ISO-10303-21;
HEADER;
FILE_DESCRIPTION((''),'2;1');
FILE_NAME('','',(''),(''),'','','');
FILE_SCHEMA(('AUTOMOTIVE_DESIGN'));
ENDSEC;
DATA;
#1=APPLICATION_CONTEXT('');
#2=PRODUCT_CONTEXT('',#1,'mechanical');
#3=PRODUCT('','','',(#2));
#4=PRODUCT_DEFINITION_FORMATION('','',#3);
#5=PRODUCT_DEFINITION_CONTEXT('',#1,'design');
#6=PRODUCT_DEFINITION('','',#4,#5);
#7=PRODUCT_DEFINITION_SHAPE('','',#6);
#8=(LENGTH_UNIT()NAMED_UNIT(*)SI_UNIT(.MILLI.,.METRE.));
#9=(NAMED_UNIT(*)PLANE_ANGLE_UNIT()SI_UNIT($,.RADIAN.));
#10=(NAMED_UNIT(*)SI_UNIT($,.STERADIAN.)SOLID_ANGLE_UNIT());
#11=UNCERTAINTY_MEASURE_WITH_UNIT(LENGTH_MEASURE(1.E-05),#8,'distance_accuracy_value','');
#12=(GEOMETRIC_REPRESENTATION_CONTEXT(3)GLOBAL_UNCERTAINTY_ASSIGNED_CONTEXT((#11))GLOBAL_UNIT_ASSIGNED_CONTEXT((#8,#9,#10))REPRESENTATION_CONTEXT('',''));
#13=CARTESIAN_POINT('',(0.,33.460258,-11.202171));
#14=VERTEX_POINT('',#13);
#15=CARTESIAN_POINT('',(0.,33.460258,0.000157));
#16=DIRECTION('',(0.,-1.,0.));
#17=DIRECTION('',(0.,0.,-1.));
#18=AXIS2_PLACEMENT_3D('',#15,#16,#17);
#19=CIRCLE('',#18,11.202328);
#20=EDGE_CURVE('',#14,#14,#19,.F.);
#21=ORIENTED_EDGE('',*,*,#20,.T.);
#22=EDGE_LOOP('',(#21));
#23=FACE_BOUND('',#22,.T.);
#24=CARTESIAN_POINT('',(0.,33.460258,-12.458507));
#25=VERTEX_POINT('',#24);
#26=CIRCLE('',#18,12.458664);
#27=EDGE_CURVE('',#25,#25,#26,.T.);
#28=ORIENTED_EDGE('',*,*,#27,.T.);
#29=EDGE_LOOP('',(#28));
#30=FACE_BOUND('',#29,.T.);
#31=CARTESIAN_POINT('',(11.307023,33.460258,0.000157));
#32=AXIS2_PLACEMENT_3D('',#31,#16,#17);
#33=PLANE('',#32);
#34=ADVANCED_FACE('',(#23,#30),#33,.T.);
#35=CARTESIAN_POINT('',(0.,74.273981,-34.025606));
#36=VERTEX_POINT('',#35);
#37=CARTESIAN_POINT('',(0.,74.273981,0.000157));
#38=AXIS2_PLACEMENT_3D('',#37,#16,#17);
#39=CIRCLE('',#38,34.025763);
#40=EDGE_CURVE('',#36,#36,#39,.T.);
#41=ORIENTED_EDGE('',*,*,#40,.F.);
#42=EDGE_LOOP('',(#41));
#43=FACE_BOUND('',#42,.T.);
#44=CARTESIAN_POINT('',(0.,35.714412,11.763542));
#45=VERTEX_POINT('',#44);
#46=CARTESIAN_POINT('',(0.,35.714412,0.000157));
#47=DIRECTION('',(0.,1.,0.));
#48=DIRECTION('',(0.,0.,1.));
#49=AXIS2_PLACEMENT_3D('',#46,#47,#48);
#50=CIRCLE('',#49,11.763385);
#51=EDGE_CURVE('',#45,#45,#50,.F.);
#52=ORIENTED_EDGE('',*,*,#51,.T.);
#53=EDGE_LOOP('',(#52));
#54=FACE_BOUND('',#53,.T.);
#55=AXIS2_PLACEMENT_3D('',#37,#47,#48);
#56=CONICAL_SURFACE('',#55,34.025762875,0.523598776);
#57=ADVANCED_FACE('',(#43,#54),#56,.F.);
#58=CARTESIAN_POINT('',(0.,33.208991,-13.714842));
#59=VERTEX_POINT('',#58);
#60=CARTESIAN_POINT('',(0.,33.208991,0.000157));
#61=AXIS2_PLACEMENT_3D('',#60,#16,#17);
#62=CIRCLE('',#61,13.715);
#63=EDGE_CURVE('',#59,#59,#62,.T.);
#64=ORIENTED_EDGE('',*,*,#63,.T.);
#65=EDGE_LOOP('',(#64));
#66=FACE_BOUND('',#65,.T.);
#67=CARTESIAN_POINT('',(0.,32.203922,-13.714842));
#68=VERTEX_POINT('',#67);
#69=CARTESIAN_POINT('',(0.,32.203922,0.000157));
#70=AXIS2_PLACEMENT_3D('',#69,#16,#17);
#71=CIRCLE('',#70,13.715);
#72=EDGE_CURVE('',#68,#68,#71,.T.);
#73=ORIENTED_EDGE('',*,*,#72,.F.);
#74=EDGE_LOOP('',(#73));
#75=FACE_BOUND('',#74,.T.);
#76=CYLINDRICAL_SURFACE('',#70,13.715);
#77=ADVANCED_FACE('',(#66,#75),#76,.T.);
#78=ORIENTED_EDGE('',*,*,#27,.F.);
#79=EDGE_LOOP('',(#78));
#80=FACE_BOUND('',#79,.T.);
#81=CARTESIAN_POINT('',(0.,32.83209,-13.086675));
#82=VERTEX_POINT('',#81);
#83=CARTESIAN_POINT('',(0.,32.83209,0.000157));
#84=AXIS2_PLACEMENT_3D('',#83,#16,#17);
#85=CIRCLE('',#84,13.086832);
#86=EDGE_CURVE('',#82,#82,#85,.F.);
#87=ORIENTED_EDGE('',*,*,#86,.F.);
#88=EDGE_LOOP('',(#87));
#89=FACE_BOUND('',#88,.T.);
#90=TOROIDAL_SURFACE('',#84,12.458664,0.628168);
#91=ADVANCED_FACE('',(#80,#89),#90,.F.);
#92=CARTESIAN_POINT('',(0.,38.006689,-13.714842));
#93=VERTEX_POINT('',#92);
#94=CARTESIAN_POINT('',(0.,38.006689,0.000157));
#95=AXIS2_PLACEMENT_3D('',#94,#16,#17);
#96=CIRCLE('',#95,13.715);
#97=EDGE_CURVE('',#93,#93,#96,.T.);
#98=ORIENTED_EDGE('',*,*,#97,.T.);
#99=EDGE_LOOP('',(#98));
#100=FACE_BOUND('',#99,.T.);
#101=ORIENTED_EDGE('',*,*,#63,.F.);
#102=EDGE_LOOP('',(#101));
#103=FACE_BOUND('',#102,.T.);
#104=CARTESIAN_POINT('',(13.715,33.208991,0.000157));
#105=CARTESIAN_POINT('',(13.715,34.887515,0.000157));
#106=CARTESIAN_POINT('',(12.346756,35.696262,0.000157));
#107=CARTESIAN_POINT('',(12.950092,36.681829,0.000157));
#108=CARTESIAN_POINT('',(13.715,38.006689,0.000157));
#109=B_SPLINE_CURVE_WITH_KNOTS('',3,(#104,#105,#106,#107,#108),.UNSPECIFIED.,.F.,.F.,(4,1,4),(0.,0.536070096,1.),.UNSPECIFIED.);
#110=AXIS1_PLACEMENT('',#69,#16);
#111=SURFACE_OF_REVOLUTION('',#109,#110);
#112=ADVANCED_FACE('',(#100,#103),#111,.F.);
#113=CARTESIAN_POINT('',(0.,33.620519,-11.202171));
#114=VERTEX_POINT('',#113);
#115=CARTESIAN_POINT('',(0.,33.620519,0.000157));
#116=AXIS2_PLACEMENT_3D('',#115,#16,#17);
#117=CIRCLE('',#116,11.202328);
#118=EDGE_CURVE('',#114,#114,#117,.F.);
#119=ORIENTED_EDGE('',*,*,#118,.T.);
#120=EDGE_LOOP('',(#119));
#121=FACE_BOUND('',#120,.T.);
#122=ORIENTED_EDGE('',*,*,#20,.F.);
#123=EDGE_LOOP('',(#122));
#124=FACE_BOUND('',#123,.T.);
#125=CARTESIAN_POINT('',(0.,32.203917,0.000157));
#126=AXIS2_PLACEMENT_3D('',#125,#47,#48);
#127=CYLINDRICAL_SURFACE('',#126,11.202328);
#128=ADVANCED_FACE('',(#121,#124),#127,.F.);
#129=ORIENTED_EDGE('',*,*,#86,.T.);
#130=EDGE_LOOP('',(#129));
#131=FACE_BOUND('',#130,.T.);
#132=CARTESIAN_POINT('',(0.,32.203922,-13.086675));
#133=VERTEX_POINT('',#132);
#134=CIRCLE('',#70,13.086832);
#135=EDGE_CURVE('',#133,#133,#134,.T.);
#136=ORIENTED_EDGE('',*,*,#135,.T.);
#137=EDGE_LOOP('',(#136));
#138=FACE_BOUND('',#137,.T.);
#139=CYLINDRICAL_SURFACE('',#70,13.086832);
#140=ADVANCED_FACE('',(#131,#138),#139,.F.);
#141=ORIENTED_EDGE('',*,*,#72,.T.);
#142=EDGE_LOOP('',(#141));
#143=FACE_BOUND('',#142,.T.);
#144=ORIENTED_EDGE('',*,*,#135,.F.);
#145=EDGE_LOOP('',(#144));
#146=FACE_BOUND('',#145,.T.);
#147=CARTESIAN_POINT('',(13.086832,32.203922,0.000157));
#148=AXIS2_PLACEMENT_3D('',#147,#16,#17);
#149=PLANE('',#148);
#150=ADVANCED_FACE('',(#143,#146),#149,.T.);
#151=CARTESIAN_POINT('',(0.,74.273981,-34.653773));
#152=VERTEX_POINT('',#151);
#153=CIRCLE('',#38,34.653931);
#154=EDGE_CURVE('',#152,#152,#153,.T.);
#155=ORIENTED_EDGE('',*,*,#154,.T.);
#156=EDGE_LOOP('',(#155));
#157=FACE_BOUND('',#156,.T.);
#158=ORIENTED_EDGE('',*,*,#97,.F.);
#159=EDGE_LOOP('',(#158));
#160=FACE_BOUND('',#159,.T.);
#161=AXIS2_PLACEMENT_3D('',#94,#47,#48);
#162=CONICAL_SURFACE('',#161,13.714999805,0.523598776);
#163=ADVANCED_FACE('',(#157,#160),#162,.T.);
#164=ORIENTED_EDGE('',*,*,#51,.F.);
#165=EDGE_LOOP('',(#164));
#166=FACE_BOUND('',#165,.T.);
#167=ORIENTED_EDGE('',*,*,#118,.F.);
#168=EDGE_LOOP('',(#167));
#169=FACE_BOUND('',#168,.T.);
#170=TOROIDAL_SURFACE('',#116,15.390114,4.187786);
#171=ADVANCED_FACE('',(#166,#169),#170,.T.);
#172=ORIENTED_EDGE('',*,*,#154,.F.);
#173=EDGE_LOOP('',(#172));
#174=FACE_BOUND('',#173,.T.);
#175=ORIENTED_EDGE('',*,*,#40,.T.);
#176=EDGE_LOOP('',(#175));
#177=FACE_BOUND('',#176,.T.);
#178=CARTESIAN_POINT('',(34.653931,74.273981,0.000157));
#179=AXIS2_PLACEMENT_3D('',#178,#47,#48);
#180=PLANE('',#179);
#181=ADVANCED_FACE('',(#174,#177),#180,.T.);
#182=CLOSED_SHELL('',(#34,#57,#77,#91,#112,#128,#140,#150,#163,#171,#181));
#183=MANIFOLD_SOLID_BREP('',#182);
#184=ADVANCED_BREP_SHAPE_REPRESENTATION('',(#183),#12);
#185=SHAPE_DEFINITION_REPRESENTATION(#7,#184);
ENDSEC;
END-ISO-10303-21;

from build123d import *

# Parameters (mm, degrees)
FILLET2_R               = 1.5
SKETCH2_R               = 26.75
CUT_EXTRUDE2_DEPTH      = 101.458946839
CUT_EXTRUDE2_DEPTH_BACK = 1
FILLET3_R               = 10
SKETCH3_R               = 27.802775638
CUT_EXTRUDE3_DEPTH      = 4
SCALE2_SCALE            = 0.41877862


with BuildPart() as part:
    # Sketch1 → Revolve1 (revolve)
    with BuildSketch(Plane.XY):
        with BuildLine():
            Line((23.25, 0), (81.25, 100.458946839))
            Line((81.25, 100.458946839), (82.75, 100.458946839))
            Line((82.75, 100.458946839), (32.75, 13.856406461))
            add(Edge.make_bspline(
                [(32.75, 2.4), (32.75, 6.408142184), (29.482775813, 8.339346474), (30.923478561, 10.692778527), (32.75, 13.856406461)],
                knots=[0, 0, 0, 0, 0.536070096, 1, 1, 1, 1], degree=3))
            Line((32.75, 2.4), (32.75, 0))
            Line((32.75, 0), (31.25, 0))
            Line((31.25, 0), (31.25, 3))
            Line((31.25, 3), (27, 3))
            Line((27, 3), (25, 0))
            Line((25, 0), (23.25, 0))
        make_face()
    revolve(axis=Axis((0, 0, 0), (0, 1, 0)))

    # Fillet2
    fillet2_edges = [part.edges().sort_by_distance(p)[0] for p in [
        (-27, 3, 0),
        (-31.25, 3, 0),
    ]]
    fillet(fillet2_edges, radius=FILLET2_R)

    # Sketch2 → Cut-Extrude2 (cut, two sides)
    with BuildSketch(Plane(origin=(0, 0, 0), x_dir=(1, 0, 0), z_dir=(0, 1, 0))) as cut_extrude2_sk:
        Circle(SKETCH2_R)
    extrude(amount=CUT_EXTRUDE2_DEPTH, mode=Mode.SUBTRACT)
    extrude(cut_extrude2_sk.sketch, amount=-CUT_EXTRUDE2_DEPTH_BACK, mode=Mode.SUBTRACT)

    # Fillet3
    fillet3_edges = [part.edges().sort_by_distance(p)[0] for p in [
        (-26.75, 6.062177826, 0),
    ]]
    fillet(fillet3_edges, radius=FILLET3_R)

    # Sketch3 → Cut-Extrude3 (cut, through all)
    with BuildSketch(Plane.XZ.offset(-3)):
        Circle(SKETCH3_R)
    extrude(amount=CUT_EXTRUDE3_DEPTH, mode=Mode.SUBTRACT)


with BuildPart() as part_1:
    # Scale2: scaled about (4.3607e-05, 55.40616534, 0)
    add(part.part.scale(SCALE2_SCALE).moved(Location((2.5345e-05, 32.203247879, 0))))


solid = part_1.part
